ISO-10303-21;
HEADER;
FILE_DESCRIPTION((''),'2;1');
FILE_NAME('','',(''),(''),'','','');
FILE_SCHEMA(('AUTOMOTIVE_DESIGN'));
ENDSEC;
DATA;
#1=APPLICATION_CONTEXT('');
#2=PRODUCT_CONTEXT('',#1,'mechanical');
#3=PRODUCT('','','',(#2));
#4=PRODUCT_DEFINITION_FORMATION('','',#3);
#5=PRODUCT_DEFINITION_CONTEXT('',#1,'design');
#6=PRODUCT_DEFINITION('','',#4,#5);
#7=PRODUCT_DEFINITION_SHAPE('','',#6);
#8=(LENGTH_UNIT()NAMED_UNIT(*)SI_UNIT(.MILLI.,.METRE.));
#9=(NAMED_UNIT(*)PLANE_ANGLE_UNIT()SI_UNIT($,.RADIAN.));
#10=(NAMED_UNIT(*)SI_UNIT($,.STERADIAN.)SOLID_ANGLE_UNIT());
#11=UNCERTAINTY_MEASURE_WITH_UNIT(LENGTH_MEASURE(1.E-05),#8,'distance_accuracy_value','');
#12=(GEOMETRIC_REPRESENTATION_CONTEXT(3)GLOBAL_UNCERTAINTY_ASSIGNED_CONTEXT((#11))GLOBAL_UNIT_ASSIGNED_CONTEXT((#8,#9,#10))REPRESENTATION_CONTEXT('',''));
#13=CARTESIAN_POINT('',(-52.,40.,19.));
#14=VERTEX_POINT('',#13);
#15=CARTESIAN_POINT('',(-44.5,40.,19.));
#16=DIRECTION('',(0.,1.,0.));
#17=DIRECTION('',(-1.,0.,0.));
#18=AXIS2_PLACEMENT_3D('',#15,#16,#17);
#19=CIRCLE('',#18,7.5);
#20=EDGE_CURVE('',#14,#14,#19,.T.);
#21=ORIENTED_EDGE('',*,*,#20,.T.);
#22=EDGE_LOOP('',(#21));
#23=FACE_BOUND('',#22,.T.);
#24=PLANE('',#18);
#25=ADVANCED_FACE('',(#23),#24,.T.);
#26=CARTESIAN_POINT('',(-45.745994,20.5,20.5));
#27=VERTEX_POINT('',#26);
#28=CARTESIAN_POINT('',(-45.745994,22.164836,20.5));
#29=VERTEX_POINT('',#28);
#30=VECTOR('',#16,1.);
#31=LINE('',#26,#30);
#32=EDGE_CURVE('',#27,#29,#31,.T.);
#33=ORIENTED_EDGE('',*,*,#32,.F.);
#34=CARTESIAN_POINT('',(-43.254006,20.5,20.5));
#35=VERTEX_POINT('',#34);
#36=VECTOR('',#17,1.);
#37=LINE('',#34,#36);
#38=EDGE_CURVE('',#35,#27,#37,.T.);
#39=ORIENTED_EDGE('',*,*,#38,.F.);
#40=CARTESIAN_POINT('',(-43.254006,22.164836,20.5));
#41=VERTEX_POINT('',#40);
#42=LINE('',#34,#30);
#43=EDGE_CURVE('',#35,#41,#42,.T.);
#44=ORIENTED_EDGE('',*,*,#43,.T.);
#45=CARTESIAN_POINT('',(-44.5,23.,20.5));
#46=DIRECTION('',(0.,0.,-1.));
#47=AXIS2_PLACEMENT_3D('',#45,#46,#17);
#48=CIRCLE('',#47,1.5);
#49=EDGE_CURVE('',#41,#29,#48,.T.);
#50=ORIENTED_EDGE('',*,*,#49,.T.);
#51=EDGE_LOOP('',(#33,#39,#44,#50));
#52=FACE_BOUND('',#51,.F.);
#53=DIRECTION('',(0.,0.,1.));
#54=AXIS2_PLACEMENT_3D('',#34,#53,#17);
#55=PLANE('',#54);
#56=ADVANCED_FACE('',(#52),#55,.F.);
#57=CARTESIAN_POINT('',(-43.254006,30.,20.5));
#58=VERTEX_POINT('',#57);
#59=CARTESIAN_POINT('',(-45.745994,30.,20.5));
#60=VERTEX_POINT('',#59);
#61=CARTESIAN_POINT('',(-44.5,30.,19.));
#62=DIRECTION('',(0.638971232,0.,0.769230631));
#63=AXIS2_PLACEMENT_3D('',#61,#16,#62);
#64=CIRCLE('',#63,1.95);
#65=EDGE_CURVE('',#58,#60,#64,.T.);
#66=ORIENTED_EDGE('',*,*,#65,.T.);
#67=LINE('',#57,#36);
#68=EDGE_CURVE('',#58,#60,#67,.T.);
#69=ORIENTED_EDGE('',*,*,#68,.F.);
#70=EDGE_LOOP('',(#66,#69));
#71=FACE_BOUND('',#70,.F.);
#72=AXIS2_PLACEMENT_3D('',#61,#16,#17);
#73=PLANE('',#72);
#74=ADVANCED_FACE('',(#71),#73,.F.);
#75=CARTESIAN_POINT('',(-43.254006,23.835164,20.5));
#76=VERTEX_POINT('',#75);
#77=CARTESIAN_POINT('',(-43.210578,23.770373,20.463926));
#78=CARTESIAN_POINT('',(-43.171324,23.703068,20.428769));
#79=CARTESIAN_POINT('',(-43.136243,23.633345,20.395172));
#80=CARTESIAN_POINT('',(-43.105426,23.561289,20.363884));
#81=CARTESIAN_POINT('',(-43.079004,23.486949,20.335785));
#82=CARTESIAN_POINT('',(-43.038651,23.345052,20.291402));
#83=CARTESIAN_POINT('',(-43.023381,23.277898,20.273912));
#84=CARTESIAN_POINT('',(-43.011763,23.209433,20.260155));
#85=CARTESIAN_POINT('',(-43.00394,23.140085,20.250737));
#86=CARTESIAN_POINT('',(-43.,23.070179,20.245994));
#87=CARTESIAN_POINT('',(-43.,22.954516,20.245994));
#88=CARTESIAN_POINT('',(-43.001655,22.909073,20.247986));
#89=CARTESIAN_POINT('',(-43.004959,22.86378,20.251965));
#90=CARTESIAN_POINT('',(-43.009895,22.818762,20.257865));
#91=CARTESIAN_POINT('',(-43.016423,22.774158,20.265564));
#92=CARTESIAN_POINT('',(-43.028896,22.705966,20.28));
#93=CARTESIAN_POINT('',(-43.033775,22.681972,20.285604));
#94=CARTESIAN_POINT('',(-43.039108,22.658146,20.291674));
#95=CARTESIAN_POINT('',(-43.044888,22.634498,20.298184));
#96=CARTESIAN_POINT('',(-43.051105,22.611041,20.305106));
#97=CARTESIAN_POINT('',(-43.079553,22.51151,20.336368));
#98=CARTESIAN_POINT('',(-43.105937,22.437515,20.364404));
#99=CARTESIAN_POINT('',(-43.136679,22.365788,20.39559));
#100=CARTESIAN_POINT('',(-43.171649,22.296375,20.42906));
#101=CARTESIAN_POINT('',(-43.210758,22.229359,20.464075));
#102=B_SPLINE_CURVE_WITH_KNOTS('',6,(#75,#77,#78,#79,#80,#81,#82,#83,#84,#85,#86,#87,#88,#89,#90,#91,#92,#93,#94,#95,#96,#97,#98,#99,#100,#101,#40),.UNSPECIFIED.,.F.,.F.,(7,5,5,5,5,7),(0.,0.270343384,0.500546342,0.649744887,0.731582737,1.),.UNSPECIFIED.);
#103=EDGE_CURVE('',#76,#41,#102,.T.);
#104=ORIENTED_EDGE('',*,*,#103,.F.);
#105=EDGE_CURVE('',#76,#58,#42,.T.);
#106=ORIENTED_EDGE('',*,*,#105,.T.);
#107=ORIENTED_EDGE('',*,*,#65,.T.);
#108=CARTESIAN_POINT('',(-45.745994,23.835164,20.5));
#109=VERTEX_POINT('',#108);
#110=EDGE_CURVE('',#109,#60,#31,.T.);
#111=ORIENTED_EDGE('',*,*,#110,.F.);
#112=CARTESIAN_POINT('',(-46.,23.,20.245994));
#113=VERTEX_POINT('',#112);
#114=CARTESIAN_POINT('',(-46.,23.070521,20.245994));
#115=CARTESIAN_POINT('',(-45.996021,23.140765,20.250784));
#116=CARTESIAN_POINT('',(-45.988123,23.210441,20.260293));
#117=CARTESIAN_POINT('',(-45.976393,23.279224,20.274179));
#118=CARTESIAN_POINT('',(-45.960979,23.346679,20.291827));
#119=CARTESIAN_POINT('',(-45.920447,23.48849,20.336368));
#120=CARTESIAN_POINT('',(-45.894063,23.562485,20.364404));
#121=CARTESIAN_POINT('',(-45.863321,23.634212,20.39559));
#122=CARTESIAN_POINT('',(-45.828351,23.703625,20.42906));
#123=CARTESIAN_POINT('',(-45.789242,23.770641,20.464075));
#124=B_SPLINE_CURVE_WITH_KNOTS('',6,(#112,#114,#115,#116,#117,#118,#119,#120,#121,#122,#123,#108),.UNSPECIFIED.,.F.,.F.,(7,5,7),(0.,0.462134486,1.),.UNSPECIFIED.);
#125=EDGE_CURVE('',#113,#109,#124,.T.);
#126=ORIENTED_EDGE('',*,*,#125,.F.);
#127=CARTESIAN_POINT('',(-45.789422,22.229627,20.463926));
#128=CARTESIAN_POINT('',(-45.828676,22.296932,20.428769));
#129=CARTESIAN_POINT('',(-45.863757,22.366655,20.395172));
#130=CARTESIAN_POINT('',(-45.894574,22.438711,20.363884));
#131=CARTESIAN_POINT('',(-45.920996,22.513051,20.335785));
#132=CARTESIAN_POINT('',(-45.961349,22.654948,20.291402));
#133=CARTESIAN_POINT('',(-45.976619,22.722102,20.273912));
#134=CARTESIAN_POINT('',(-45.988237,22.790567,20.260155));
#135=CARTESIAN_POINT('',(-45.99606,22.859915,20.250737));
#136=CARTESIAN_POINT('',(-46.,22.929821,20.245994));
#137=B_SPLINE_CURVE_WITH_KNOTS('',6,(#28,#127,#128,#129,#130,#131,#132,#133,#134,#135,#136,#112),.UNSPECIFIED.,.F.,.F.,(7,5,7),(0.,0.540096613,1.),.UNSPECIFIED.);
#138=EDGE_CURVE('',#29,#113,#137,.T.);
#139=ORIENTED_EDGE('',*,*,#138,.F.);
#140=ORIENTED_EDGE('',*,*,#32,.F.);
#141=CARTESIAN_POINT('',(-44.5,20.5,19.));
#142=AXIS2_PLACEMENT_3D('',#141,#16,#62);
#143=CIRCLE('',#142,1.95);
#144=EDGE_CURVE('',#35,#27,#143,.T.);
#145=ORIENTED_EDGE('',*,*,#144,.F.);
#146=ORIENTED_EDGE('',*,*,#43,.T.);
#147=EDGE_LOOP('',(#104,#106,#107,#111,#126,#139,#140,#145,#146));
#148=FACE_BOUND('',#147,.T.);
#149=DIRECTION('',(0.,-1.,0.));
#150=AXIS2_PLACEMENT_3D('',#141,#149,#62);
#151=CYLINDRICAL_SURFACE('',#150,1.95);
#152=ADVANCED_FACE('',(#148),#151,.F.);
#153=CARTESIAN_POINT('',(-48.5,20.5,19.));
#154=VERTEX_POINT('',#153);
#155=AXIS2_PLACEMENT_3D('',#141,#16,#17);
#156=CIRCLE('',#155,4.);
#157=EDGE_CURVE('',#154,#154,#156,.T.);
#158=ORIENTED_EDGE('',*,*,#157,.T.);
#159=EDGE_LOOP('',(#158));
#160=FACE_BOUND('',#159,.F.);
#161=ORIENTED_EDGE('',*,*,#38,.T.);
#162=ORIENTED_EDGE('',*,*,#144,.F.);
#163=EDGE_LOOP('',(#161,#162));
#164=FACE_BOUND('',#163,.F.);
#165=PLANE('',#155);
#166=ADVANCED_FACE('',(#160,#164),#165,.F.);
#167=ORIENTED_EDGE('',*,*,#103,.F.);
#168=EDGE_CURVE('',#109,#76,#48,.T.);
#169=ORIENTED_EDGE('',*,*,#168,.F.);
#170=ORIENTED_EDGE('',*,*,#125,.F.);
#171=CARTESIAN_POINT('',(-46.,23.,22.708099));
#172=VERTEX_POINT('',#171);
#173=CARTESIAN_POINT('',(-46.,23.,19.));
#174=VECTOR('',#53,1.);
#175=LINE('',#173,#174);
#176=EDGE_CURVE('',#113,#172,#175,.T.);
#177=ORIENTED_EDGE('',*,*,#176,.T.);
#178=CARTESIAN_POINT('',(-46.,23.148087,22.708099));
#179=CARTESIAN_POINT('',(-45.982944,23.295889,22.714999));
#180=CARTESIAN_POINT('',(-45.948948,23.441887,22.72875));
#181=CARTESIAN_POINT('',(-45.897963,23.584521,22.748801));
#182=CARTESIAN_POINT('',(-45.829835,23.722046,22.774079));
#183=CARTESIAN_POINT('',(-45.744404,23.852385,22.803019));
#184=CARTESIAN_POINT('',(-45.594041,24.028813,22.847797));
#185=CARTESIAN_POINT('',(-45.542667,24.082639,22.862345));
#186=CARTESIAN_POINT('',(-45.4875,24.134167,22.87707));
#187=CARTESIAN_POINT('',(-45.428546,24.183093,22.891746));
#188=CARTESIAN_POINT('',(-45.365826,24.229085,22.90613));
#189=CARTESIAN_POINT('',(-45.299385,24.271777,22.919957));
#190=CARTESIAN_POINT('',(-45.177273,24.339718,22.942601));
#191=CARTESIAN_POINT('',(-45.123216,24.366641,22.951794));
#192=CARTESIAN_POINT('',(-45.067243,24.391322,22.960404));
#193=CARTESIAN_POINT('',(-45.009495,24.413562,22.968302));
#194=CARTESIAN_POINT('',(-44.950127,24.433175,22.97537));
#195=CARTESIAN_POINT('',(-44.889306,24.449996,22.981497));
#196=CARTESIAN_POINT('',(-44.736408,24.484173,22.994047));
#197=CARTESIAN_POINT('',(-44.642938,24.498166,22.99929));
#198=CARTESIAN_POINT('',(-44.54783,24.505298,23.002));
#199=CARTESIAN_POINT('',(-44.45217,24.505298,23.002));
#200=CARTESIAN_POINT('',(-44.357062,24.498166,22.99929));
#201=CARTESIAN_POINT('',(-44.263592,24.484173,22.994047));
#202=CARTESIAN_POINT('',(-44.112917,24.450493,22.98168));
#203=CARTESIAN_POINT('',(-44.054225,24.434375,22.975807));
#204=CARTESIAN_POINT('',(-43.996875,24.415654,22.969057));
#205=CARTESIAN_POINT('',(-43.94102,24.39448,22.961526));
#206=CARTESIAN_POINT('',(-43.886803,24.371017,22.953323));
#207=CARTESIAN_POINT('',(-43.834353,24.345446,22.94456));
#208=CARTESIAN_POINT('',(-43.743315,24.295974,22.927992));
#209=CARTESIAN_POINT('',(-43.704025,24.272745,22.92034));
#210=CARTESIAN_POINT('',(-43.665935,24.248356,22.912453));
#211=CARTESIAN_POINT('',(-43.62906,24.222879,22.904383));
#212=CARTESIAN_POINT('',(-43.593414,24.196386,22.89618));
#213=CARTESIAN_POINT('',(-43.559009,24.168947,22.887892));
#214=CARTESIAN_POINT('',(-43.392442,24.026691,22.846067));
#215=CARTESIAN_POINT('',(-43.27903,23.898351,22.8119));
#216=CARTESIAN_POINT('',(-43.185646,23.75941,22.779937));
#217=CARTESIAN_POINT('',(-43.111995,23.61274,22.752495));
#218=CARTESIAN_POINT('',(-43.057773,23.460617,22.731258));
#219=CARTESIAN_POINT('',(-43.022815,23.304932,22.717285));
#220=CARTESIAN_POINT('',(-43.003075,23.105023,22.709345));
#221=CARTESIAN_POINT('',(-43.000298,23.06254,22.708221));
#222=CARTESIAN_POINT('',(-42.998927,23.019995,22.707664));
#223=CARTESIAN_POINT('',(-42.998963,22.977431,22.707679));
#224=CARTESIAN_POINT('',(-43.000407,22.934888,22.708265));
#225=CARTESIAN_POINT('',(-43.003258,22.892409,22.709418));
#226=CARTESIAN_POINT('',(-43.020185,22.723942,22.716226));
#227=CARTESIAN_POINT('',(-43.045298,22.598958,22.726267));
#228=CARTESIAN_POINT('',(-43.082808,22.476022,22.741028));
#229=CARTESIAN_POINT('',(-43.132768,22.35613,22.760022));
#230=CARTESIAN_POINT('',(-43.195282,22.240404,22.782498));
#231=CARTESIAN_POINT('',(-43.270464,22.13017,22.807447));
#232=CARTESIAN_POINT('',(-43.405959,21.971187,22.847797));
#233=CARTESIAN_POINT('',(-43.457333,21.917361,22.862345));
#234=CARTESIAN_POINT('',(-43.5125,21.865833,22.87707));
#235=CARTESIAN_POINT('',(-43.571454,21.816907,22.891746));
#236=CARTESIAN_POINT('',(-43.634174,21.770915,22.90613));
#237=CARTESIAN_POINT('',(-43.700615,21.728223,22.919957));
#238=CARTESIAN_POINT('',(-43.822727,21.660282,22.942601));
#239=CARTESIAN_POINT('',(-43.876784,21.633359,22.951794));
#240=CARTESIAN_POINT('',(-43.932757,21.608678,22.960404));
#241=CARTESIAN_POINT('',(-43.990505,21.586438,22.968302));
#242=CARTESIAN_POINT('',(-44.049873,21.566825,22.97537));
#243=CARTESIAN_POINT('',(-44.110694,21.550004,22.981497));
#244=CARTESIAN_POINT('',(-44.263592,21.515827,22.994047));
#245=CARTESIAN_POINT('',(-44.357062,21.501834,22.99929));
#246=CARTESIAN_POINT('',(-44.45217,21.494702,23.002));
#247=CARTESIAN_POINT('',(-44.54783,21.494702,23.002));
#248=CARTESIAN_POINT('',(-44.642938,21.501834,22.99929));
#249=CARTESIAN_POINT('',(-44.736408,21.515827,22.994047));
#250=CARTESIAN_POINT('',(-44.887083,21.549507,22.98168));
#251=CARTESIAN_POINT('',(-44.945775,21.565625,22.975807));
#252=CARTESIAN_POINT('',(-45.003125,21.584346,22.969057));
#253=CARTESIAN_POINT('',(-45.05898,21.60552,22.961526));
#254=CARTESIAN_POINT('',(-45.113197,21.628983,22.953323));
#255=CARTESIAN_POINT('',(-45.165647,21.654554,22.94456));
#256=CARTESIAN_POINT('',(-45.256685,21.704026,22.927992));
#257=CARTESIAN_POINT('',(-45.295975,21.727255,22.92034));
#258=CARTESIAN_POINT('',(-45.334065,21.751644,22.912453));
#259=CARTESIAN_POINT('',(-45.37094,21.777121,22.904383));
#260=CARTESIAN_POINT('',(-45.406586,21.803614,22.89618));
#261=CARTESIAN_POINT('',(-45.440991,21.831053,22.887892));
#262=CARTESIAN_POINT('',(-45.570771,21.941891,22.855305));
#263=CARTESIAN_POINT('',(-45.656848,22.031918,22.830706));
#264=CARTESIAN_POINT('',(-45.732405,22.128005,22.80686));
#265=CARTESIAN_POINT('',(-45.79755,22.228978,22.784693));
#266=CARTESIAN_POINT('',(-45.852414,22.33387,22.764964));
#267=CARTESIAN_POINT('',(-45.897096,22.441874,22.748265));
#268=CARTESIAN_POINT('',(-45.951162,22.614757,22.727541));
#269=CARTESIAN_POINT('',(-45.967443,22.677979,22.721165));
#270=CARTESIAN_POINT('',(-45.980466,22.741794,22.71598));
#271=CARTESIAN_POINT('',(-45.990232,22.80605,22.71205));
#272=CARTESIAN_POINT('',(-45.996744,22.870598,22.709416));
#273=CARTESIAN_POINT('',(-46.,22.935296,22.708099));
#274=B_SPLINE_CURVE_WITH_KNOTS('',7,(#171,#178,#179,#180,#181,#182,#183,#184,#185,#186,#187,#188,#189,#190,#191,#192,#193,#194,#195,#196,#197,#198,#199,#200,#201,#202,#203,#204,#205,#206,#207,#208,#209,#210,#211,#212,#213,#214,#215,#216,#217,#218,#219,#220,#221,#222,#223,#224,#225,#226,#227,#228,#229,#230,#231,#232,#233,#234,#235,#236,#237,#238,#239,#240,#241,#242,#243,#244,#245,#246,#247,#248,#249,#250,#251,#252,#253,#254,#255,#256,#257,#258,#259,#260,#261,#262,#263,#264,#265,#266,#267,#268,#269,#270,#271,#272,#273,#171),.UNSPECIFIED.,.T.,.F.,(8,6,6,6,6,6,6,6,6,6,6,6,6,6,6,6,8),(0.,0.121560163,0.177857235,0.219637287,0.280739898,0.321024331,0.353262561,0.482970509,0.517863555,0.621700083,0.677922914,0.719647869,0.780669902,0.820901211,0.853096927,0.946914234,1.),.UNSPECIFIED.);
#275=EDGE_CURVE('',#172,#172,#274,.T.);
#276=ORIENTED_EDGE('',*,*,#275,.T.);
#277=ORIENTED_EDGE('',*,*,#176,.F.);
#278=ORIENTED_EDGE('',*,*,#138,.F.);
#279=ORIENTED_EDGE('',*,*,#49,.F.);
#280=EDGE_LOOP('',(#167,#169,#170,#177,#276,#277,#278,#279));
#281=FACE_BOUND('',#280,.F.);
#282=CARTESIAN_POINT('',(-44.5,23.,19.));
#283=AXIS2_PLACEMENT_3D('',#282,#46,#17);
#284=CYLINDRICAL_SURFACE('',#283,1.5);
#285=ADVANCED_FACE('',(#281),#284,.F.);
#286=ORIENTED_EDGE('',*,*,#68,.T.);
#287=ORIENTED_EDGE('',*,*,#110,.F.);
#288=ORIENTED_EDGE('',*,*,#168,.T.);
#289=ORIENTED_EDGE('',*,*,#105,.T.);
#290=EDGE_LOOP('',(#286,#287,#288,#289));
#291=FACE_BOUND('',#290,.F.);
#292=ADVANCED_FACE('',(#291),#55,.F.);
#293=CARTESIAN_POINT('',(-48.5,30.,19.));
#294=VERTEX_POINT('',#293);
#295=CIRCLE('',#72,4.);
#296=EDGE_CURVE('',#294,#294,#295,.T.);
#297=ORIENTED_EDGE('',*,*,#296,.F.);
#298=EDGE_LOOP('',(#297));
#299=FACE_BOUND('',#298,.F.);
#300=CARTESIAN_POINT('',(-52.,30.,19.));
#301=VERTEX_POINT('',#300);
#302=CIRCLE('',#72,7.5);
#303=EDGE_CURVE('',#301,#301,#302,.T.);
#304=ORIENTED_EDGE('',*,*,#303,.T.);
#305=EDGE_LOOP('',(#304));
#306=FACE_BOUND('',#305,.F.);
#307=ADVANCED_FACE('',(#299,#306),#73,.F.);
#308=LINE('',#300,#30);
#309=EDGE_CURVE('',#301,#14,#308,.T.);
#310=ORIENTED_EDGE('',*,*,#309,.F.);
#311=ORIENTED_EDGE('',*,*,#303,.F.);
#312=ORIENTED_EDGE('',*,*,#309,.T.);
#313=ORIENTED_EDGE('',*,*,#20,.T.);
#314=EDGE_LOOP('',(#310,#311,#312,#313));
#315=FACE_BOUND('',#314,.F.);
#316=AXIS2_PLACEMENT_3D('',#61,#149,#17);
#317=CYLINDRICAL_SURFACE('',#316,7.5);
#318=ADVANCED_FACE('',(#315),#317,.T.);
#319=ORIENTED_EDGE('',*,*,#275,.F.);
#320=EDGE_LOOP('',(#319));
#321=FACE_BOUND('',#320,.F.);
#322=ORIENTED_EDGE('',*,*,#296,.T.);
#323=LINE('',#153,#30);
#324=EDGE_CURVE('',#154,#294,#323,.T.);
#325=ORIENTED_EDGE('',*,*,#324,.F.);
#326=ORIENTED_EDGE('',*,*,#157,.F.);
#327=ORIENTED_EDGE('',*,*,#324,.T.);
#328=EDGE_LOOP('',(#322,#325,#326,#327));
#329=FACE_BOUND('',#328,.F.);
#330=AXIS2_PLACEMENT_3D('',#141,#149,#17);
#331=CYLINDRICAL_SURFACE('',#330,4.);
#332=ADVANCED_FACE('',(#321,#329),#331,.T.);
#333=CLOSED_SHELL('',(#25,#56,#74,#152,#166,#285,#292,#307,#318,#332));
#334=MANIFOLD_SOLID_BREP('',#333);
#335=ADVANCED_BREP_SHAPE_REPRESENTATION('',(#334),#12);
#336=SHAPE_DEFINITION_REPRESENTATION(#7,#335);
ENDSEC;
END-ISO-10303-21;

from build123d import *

# Parameters (mm, degrees)
SKETCH268_R             = 4
PAD107_DEPTH            = 9.5
SKETCH269_R             = 7.5
PAD108_DEPTH            = 10
SKETCH270_R             = 1.5
POCKET131_DEPTH         = 7.501
BODY096_ROLL_ANGLE      = 90
BODY096_PLACEMENT_ANGLE = 180


with BuildPart() as part:
    # Sketch268 → Pad107 (new body)
    with BuildSketch(Plane.XY):
        Circle(SKETCH268_R)
        with BuildLine():
            Line((-1.245994, 1.5), (1.245994, 1.5))
            ThreePointArc((-1.245994, 1.5), (0, -1.95), (1.245994, 1.5))
        make_face(mode=Mode.SUBTRACT)
    extrude(amount=PAD107_DEPTH)

    # Sketch269 (on Face5 of Pad107) → Pad108 (join)
    with BuildSketch(Plane.XY.offset(9.5)):
        Circle(SKETCH269_R)
    extrude(amount=PAD108_DEPTH)

    # Sketch270 → Pocket131 (cut, through all)
    with BuildSketch(Plane.XZ):
        with Locations((0, 2.5)):
            Circle(SKETCH270_R)
    extrude(amount=-POCKET131_DEPTH, mode=Mode.SUBTRACT)


with BuildPart() as part_1:
    # Body096 roll: moved
    add(part.part.rotate(Axis((0, 0, 0), (1, 0, 0)), BODY096_ROLL_ANGLE))


with BuildPart() as part_2:
    # Body096 placement: moved
    add(part_1.part.moved(Location((-44.5, 20.5, 19))).rotate(Axis((-44.5, 20.5, 19), (0, 0, 1)), BODY096_PLACEMENT_ANGLE))


solid = part_2.part
